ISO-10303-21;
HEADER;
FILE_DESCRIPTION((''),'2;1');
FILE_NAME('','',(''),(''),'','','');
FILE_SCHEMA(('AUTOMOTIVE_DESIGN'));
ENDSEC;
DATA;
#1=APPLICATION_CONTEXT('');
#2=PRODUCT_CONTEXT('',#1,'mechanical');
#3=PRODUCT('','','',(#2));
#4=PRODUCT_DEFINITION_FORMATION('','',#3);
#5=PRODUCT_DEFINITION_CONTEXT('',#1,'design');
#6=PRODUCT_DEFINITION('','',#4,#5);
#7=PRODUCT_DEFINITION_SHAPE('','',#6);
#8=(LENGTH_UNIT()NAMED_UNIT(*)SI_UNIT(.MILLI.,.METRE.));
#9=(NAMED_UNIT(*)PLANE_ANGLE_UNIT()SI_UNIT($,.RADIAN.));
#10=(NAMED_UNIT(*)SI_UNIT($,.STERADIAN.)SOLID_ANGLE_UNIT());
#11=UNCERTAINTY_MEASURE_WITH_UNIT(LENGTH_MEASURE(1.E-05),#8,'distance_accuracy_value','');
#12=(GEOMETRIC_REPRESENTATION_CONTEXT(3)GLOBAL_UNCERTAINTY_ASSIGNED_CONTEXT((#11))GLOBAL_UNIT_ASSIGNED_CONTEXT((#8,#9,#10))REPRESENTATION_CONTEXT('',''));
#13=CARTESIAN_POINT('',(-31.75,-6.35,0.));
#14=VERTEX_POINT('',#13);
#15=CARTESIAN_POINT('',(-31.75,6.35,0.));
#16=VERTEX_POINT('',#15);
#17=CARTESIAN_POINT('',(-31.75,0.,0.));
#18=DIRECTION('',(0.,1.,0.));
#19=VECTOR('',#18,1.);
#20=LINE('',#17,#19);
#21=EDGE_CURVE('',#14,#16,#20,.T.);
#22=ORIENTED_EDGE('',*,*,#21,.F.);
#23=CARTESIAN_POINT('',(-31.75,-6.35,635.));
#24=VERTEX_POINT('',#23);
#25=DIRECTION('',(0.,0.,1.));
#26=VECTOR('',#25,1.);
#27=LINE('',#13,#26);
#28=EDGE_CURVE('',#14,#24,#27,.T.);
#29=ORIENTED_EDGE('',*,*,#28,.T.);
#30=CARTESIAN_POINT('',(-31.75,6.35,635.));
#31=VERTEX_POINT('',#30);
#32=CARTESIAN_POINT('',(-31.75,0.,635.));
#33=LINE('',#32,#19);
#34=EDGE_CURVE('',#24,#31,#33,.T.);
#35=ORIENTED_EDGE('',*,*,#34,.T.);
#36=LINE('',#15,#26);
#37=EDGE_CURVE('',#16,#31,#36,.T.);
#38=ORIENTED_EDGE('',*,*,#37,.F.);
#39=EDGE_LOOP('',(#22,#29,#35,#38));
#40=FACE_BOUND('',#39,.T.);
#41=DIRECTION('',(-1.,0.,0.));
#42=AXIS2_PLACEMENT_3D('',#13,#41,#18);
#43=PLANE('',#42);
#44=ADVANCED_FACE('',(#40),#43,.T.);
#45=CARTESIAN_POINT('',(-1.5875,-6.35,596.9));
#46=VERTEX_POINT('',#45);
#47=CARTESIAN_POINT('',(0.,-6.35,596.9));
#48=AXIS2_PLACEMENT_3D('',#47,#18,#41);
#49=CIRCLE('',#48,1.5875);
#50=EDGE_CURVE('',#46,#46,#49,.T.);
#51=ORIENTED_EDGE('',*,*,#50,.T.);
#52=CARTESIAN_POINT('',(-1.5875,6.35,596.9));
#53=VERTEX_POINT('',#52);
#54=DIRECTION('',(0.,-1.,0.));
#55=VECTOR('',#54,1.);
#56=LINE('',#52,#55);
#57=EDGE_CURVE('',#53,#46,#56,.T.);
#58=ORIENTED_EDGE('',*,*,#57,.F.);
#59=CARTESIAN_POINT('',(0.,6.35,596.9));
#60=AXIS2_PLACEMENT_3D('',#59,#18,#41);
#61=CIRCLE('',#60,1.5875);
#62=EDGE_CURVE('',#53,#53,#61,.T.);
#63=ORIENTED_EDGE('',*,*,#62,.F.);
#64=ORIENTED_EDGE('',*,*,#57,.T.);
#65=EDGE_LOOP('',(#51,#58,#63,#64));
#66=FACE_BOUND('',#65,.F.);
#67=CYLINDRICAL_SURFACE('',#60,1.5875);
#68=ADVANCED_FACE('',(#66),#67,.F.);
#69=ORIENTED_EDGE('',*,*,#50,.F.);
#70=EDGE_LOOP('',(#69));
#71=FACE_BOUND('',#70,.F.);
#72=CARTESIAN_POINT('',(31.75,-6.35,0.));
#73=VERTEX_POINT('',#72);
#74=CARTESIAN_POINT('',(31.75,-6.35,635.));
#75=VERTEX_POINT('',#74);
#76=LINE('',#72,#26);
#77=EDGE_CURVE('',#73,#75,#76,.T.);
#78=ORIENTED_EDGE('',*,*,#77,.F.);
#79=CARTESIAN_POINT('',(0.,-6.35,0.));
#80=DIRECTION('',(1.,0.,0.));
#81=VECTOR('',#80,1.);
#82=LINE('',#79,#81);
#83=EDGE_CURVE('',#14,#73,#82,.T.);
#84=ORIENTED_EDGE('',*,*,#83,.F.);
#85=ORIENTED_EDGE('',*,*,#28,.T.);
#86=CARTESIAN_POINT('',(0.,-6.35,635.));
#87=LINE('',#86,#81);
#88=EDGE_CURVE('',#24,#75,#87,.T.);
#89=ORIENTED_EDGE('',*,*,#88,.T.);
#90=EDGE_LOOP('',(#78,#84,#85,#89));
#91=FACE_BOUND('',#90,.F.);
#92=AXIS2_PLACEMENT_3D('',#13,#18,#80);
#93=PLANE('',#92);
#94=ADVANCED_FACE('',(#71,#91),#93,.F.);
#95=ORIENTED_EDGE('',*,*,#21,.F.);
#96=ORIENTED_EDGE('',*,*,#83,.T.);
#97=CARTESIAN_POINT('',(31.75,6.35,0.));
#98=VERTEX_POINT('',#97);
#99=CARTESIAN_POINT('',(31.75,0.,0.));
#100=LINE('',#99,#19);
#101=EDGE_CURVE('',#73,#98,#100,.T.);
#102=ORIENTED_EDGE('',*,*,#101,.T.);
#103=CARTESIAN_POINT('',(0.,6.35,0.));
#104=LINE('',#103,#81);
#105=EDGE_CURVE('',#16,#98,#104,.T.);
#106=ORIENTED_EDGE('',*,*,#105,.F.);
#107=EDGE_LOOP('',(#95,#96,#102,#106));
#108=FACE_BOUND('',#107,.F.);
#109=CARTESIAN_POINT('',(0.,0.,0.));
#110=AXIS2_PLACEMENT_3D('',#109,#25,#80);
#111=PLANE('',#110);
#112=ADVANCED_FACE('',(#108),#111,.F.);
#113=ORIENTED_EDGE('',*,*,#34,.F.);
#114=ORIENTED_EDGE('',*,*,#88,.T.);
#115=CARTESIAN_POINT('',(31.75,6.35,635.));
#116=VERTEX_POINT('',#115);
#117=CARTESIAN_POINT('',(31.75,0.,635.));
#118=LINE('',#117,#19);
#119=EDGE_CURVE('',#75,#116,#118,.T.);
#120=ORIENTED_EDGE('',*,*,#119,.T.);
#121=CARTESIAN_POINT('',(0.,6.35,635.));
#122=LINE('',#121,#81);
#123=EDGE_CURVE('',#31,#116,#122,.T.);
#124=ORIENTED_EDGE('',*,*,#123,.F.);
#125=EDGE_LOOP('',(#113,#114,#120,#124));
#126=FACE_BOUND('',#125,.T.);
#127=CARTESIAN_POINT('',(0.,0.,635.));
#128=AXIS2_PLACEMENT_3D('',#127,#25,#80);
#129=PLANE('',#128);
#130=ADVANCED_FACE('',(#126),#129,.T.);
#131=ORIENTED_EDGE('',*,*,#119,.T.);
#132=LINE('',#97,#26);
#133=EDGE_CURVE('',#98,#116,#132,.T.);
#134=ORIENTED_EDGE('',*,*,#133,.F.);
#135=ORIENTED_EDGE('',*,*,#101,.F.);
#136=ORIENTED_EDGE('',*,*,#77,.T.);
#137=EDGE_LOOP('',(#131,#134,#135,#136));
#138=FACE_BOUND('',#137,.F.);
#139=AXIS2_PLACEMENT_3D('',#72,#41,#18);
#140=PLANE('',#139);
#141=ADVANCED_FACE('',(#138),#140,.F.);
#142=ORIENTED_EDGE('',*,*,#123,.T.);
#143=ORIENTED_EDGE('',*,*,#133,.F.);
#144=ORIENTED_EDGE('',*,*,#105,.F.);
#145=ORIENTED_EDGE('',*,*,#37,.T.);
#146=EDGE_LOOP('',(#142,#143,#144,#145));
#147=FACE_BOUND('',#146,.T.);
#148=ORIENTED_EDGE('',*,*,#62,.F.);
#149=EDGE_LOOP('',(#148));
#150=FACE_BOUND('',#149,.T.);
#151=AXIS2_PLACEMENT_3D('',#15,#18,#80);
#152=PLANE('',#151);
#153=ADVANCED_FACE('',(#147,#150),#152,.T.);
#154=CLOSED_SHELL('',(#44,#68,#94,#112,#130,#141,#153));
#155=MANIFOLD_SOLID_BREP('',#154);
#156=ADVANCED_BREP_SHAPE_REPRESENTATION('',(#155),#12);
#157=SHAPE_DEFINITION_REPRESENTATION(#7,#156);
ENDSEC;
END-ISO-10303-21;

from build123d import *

# Parameters (mm, degrees)
F0_W     = 63.5
F0_H     = 12.7
F1_DEPTH = 635
F2_R     = 1.5875
F3_DEPTH = 12.701


with BuildPart() as f1:
    # F0 (on Top) → F1 (new body)
    with BuildSketch(Plane.XY):
        Rectangle(F0_W, F0_H)
    extrude(amount=F1_DEPTH)

    # F2 (on face) → F3 (cut, through all)
    with BuildSketch(Plane(origin=(0, 6.35, 0), x_dir=(-1, 0, 0), z_dir=(0, 1, 0))):
        with Locations((0, 596.9)):
            Circle(F2_R)
    extrude(amount=-F3_DEPTH, mode=Mode.SUBTRACT)


solid = f1.part
